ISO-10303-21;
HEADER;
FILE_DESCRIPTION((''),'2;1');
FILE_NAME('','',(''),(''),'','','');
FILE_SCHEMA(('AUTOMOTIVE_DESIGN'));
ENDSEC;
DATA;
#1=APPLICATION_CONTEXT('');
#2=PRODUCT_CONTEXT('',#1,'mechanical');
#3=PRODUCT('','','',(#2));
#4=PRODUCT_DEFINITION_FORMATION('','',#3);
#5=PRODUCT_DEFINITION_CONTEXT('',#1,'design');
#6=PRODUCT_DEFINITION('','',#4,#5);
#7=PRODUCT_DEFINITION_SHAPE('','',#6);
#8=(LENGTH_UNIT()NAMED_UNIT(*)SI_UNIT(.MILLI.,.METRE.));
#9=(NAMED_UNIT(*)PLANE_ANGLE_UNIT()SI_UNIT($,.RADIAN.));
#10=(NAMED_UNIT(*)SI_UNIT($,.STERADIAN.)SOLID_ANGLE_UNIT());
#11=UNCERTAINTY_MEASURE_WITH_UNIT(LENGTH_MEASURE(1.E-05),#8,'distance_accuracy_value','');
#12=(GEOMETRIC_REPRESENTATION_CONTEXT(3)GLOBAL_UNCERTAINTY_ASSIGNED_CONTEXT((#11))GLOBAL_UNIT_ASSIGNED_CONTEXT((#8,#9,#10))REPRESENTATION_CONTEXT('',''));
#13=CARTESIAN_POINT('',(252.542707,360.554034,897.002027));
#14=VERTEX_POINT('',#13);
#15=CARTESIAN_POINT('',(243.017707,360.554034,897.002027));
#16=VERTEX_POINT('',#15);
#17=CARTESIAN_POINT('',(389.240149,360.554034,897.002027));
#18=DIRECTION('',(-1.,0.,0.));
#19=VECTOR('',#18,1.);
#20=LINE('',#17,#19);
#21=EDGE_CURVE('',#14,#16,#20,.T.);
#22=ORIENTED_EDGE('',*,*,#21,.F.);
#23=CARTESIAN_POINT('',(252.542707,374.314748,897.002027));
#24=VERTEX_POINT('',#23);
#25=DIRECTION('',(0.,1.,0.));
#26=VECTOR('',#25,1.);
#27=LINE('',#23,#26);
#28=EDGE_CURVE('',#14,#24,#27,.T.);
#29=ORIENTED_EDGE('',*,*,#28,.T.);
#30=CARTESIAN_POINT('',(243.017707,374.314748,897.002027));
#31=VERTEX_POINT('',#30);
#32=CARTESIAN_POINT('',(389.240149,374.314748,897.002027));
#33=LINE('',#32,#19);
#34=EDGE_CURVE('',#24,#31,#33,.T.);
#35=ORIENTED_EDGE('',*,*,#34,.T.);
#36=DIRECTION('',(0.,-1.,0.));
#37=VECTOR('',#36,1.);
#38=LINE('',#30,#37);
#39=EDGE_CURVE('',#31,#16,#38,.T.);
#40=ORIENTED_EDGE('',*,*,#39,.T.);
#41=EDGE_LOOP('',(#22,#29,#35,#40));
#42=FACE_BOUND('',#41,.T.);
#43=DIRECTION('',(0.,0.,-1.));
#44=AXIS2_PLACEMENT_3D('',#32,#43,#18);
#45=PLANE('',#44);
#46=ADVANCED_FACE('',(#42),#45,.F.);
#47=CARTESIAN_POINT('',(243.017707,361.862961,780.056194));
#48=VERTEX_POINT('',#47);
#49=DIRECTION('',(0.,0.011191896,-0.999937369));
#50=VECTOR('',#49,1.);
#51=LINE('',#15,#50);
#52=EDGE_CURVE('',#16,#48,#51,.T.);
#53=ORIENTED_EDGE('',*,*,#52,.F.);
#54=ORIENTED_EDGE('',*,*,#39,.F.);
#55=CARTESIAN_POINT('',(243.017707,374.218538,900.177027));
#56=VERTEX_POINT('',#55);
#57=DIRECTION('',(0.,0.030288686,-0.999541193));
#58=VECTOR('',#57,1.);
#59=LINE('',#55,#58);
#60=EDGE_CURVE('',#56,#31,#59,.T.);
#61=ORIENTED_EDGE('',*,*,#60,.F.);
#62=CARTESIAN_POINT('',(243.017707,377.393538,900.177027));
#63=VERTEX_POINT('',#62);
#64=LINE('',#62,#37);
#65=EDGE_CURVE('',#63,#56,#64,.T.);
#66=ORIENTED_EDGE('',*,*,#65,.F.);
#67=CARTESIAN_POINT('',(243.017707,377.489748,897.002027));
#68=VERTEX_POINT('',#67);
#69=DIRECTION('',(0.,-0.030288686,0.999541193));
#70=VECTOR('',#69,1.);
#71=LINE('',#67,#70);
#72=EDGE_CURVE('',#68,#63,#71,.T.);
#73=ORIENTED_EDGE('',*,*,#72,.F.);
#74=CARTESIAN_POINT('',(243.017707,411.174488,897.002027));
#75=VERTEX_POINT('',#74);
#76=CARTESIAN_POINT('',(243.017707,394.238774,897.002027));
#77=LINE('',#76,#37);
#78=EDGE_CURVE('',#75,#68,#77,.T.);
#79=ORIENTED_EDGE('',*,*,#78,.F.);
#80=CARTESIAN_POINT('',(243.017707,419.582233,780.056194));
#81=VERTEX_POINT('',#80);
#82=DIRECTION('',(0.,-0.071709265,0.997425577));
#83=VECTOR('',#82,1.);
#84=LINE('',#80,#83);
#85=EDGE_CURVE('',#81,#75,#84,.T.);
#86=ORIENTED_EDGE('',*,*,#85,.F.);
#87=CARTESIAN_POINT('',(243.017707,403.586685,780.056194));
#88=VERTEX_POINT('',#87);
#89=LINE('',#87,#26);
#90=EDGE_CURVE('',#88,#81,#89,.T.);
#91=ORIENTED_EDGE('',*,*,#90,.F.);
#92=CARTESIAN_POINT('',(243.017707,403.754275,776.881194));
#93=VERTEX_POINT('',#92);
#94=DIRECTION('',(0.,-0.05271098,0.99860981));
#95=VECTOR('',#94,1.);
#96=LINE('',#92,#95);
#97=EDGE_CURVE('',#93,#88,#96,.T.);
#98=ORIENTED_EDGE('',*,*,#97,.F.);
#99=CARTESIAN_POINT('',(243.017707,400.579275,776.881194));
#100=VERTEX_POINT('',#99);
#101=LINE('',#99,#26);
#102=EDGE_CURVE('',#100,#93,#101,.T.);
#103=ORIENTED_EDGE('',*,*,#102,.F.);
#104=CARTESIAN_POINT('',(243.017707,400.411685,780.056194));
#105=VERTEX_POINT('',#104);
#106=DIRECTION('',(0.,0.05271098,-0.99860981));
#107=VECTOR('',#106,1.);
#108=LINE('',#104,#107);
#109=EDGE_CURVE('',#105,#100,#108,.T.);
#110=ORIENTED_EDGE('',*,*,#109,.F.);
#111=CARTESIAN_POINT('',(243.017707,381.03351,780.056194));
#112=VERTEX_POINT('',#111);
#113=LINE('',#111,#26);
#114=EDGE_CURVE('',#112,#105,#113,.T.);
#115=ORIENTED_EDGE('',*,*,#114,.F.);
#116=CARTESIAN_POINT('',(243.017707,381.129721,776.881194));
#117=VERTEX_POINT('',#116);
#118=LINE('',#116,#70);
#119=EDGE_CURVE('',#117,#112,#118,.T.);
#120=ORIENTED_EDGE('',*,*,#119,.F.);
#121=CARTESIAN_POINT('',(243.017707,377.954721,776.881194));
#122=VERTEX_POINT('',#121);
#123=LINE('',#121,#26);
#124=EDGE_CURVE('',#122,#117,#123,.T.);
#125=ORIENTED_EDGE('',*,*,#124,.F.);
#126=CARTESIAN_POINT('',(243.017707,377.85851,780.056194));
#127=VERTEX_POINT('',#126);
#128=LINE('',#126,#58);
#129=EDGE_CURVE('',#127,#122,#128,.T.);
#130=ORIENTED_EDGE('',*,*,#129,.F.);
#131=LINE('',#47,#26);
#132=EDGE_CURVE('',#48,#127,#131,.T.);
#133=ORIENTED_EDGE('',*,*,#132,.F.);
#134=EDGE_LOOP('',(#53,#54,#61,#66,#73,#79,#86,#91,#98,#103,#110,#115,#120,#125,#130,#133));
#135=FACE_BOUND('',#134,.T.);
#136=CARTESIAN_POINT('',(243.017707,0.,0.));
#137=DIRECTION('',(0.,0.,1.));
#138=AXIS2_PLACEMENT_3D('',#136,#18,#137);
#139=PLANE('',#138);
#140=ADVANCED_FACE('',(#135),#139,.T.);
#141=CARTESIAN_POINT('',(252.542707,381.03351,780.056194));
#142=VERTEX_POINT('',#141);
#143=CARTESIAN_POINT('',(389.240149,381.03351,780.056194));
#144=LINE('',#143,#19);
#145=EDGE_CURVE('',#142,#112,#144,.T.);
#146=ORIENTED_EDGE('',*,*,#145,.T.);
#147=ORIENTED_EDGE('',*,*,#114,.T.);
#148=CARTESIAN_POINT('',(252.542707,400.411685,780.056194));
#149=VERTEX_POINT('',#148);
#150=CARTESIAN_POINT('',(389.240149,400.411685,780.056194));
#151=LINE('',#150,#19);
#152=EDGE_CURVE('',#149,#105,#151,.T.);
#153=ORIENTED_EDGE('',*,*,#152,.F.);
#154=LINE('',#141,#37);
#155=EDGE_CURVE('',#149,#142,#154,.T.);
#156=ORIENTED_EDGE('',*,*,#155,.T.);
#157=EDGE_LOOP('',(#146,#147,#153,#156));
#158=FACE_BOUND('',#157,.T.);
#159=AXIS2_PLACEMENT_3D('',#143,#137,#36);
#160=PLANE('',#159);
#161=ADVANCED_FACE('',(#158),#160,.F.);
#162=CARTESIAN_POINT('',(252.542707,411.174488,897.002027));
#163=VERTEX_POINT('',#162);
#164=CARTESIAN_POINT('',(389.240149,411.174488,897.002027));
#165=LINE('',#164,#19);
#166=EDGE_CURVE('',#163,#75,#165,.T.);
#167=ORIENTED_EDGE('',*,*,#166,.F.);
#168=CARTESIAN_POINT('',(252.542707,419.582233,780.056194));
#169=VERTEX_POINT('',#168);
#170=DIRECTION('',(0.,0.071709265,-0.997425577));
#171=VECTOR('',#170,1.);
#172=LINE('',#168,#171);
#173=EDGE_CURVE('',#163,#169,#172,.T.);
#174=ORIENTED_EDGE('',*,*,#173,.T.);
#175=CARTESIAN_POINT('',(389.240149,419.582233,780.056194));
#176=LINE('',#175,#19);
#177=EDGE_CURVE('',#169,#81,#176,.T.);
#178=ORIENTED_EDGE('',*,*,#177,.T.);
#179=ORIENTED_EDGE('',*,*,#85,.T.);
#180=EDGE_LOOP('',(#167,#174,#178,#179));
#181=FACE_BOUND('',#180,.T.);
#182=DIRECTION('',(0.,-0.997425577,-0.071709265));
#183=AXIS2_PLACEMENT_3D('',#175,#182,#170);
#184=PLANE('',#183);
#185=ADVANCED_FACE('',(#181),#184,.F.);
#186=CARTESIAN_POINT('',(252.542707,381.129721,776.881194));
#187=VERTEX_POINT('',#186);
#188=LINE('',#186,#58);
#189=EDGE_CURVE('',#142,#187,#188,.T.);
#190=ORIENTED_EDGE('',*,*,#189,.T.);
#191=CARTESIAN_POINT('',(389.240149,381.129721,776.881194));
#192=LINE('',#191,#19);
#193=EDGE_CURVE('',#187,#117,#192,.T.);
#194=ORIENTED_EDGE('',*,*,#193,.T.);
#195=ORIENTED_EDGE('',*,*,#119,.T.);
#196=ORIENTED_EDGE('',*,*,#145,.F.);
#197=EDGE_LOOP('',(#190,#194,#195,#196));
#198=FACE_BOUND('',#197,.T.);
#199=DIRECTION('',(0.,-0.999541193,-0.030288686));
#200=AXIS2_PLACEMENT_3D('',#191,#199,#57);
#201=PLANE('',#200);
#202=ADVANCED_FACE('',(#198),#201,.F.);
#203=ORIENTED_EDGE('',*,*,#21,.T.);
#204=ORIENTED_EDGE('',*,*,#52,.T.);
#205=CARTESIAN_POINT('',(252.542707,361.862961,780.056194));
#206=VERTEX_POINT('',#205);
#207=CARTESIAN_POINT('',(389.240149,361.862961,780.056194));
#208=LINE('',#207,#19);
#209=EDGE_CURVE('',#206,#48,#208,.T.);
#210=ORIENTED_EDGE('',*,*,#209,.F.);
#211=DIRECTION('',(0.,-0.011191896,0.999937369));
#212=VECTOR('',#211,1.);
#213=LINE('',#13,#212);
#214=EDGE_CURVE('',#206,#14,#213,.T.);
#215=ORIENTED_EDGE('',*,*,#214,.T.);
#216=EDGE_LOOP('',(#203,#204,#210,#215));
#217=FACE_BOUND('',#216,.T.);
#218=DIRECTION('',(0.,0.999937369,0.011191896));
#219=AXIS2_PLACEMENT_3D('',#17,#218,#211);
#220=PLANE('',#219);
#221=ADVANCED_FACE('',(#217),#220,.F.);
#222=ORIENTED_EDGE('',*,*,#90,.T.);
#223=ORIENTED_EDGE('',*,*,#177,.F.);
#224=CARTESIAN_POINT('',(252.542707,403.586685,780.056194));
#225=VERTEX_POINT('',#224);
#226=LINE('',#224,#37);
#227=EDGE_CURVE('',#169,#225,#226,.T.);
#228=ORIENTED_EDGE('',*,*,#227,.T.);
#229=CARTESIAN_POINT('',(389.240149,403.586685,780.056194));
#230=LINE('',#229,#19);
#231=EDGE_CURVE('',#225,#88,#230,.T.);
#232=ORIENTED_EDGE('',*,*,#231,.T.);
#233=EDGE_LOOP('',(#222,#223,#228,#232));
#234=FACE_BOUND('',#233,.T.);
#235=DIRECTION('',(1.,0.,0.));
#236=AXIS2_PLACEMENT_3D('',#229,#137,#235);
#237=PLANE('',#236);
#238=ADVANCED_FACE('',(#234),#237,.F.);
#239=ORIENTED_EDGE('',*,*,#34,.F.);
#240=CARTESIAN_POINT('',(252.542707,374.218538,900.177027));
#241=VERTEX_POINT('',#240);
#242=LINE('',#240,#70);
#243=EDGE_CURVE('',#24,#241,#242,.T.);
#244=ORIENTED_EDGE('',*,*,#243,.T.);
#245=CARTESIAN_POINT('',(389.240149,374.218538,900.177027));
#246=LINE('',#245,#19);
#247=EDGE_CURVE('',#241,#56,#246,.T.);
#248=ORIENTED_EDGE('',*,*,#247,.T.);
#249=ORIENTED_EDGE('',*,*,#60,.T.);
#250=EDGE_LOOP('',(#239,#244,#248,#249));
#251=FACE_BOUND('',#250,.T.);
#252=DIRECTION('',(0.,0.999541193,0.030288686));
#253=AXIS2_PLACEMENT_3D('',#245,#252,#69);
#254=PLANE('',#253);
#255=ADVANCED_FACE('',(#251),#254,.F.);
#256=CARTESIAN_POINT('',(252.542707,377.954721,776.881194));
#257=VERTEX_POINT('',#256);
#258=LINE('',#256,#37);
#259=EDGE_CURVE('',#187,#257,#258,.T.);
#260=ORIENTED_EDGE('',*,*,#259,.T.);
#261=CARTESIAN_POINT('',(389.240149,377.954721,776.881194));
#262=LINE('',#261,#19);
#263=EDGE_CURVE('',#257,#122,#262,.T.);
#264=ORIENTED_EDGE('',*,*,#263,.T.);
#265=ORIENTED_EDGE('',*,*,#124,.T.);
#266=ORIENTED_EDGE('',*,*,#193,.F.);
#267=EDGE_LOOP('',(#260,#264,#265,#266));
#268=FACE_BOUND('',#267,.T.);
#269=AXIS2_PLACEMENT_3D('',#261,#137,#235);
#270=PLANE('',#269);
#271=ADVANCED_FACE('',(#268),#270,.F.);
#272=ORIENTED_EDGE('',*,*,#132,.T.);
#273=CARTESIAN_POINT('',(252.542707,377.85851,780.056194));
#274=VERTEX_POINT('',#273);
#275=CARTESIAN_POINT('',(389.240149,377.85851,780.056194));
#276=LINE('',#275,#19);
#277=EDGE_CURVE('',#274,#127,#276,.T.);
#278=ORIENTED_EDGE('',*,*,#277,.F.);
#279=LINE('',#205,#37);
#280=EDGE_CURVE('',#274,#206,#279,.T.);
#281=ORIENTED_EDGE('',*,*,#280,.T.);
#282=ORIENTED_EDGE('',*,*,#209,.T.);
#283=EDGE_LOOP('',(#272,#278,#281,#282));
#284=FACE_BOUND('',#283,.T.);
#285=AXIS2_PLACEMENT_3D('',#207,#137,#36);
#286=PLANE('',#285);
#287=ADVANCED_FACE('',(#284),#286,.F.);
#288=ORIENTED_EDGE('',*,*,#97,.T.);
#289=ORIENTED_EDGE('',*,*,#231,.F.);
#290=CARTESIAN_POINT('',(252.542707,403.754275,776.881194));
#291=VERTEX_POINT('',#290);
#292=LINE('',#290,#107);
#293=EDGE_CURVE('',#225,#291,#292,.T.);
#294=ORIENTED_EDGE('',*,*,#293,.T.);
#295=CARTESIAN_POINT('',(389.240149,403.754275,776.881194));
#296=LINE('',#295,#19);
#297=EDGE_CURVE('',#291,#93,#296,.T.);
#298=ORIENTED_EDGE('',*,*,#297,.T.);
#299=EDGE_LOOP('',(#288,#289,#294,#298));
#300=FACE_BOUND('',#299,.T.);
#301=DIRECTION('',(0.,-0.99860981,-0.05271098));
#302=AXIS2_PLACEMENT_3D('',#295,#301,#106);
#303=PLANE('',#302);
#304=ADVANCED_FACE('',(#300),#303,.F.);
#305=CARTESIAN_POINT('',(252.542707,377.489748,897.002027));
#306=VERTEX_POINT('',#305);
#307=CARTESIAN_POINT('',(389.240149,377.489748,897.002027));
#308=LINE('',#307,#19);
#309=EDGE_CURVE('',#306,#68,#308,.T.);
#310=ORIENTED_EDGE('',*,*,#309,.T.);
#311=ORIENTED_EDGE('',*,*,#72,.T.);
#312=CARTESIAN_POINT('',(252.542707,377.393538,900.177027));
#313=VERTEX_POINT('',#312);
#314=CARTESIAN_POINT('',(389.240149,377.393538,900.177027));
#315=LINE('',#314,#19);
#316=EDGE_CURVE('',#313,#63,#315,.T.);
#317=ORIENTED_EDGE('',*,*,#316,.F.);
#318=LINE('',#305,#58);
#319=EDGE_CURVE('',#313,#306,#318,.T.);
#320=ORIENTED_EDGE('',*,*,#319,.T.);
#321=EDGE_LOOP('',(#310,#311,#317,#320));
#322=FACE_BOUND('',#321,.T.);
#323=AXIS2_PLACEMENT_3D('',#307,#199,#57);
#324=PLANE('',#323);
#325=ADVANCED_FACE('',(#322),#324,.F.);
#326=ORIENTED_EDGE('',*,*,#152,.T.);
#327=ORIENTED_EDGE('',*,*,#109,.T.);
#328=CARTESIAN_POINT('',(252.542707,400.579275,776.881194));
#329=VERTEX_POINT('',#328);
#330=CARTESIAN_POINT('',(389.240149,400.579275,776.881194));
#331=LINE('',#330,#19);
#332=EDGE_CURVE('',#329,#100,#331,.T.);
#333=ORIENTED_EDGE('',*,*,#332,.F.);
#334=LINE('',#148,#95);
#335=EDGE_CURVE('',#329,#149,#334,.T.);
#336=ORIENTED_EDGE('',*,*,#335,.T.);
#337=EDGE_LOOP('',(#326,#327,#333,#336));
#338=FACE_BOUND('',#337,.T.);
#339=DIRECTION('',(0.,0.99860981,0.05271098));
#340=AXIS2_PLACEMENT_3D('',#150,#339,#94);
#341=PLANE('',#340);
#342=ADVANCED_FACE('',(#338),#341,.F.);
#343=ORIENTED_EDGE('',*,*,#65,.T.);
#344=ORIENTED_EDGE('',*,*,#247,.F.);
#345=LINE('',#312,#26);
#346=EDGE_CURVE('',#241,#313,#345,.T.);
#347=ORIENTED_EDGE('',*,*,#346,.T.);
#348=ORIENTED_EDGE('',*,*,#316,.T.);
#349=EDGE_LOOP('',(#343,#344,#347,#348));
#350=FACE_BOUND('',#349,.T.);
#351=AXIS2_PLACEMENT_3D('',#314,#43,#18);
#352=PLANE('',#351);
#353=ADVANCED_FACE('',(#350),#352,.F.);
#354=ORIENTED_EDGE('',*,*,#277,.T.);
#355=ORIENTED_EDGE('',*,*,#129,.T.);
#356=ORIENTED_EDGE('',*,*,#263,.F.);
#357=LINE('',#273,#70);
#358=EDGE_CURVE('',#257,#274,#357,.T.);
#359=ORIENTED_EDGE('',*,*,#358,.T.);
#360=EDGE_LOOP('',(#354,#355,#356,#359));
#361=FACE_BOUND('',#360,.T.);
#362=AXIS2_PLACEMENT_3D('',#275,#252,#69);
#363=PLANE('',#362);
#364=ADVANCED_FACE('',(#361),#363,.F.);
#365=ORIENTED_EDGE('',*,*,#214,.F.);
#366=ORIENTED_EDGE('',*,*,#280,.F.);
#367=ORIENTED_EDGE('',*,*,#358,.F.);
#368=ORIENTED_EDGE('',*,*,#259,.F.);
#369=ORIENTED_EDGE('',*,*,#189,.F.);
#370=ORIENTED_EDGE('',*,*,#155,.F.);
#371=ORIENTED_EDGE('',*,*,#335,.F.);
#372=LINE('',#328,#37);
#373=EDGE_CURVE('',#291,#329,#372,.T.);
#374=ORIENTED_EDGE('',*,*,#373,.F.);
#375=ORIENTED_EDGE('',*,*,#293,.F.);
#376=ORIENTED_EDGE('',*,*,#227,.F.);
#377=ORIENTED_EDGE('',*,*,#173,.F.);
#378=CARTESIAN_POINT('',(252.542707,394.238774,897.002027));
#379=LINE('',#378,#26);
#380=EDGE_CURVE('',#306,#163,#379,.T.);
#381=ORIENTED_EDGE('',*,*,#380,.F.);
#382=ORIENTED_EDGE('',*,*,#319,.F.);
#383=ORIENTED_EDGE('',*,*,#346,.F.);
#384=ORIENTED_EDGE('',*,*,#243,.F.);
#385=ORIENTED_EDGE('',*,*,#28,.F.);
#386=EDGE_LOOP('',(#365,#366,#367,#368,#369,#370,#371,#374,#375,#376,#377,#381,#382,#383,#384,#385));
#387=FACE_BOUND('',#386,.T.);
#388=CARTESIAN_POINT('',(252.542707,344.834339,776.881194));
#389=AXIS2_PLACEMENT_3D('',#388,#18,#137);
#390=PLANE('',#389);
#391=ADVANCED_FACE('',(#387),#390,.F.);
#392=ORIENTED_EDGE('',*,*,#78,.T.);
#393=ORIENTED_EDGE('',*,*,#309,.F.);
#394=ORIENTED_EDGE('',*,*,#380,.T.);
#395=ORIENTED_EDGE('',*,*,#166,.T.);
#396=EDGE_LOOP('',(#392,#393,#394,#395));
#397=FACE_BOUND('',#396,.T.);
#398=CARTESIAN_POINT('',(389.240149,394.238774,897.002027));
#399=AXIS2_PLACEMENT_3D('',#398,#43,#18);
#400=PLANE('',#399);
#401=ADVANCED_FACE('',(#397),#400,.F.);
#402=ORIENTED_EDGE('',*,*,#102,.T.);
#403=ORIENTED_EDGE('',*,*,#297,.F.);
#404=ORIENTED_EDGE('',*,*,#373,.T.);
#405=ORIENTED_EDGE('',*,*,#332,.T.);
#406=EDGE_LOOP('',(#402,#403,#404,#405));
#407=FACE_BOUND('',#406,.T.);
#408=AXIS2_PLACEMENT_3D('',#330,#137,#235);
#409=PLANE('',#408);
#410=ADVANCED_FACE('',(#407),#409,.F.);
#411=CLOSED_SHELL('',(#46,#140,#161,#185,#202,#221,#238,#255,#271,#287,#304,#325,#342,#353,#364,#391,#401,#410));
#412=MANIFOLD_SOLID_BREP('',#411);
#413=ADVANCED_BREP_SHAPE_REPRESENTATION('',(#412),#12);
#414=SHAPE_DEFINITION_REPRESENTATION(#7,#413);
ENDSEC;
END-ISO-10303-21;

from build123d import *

# Parameters (mm, degrees)
BOSS_EXTRUDE1_DEPTH = 9.525


with BuildPart() as part:
    # Sketch1 → Boss-Extrude1 (new body)
    with BuildSketch(Plane(origin=(243.017706631, 0, 0), x_dir=(0, 0, -1), z_dir=(1, 0, 0))):
        Polygon((-780.056194078, 400.411684614), (-776.881194078, 400.579274957), (-776.881194078, 403.754274957), (-780.056194078, 403.586684614), (-780.056194078, 419.582233203), (-897.002027496, 411.174488345), (-897.002027496, 397.413773631), (-897.002027496, 394.238773631), (-897.002027496, 377.48974838), (-900.177027496, 377.393537661), (-900.177027496, 374.218537661), (-897.002027496, 374.31474838), (-897.002027496, 360.554033667), (-780.056194078, 361.862961273), (-780.056194078, 377.858509862), (-776.881194078, 377.954720581), (-776.881194078, 381.129720581), (-780.056194078, 381.033509862), align=None)
    extrude(amount=BOSS_EXTRUDE1_DEPTH)


solid = part.part
